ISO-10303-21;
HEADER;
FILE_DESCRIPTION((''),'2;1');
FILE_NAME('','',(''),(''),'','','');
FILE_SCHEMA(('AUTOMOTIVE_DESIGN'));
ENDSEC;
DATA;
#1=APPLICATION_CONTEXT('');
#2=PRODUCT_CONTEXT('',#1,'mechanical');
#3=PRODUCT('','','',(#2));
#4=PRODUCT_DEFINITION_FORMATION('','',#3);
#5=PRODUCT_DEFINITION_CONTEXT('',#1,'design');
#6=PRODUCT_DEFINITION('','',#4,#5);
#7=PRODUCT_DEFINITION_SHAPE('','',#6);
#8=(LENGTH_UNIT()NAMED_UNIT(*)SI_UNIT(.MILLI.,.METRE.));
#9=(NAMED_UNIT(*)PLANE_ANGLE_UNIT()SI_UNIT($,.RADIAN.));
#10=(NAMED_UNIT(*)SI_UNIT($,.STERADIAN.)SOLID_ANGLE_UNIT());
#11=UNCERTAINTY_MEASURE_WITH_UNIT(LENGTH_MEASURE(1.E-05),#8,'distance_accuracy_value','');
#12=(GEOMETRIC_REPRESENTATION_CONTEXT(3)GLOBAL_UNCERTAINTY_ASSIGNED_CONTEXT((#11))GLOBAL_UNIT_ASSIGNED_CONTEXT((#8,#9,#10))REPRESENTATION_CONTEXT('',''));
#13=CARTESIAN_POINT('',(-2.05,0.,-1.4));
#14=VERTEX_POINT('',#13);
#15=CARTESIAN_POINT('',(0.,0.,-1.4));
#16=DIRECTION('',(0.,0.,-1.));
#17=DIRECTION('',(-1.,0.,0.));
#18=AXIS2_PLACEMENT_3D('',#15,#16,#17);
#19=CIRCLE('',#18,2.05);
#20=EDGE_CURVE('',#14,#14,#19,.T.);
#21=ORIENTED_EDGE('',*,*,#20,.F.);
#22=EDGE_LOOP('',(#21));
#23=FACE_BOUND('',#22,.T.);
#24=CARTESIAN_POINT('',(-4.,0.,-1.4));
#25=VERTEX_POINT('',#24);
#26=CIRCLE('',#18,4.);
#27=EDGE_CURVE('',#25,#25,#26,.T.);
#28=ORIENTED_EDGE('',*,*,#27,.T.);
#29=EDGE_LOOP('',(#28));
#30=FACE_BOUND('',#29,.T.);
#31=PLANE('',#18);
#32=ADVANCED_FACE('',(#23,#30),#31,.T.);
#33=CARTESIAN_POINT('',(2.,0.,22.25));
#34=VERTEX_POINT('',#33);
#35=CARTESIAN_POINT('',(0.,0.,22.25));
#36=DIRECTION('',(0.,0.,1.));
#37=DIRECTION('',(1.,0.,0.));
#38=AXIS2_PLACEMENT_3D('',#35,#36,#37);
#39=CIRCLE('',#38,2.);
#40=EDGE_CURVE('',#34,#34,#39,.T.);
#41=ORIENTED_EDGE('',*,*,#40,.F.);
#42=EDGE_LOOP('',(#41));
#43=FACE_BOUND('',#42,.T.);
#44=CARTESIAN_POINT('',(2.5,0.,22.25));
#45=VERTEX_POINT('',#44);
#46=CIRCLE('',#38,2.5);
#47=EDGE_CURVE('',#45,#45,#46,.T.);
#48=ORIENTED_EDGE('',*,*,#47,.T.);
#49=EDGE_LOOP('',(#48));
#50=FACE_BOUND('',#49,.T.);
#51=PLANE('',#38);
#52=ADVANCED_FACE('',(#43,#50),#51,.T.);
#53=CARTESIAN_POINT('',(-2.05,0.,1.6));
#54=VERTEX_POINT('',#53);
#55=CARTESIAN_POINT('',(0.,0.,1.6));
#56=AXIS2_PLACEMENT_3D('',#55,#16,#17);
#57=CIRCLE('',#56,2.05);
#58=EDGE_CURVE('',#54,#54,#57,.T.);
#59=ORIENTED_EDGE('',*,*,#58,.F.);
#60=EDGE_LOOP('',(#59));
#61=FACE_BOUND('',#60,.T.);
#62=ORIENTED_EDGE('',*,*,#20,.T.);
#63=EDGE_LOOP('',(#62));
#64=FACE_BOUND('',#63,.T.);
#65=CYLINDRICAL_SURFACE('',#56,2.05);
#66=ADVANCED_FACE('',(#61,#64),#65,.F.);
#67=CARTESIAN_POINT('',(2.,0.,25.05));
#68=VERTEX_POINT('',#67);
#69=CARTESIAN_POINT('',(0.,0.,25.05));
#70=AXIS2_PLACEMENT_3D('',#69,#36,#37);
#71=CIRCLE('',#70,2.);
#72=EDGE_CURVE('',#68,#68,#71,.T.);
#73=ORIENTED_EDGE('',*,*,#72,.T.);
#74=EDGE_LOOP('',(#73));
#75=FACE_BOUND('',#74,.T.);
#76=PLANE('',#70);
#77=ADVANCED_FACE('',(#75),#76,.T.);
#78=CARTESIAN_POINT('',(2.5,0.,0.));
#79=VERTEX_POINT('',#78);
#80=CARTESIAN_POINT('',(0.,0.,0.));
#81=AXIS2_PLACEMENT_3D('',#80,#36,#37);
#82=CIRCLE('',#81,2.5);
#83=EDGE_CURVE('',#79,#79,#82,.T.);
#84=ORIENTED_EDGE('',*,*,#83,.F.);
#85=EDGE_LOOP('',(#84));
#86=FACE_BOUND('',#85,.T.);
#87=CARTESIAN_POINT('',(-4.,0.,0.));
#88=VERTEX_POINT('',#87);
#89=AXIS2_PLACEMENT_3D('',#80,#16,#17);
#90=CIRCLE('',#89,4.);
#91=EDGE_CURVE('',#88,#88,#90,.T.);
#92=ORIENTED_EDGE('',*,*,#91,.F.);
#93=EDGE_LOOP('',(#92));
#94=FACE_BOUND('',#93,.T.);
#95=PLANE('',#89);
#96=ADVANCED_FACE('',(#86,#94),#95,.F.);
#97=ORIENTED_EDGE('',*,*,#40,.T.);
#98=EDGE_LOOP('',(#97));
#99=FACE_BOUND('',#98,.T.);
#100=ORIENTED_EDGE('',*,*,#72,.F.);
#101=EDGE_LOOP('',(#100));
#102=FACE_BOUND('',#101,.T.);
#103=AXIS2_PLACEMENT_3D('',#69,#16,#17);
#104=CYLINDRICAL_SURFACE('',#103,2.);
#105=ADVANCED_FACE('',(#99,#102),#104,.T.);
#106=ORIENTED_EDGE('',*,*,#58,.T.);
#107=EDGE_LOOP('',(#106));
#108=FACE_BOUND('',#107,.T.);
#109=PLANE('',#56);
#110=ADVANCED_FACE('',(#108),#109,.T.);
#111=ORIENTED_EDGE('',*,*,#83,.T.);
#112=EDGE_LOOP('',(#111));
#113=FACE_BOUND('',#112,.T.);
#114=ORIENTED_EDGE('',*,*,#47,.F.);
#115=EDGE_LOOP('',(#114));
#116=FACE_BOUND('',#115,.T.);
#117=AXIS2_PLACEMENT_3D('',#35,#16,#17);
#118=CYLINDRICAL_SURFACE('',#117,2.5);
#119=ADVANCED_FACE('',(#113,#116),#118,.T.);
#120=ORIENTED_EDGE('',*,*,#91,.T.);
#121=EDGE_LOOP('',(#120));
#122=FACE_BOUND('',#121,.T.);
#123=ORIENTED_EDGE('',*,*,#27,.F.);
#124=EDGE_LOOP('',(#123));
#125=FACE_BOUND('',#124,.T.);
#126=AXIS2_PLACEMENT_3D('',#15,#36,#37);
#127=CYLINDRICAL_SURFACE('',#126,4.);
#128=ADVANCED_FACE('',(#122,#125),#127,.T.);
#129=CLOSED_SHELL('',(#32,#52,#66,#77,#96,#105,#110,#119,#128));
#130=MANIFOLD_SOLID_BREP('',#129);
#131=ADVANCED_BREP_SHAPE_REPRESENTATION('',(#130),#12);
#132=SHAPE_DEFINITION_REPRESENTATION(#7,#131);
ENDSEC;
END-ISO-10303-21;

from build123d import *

# Parameters (mm, degrees)
SKETCH1_R           = 2.5
BOSS_EXTRUDE1_DEPTH = 22.25
SKETCH2_R           = 4
BOSS_EXTRUDE2_DEPTH = 1.4
SKETCH3_R           = 2.05
CUT_EXTRUDE1_DEPTH  = 3
SKETCH4_R           = 2
BOSS_EXTRUDE3_DEPTH = 2.8


with BuildPart() as part:
    # Sketch1 → Boss-Extrude1 (new body)
    with BuildSketch(Plane(origin=(0, 0, 0), x_dir=(0, 1, 0), z_dir=(0, 0, 1))):
        with Locations(Location((0, 0, 0), (0, 0, 270))):
            Circle(SKETCH1_R)
    extrude(amount=BOSS_EXTRUDE1_DEPTH)

    # Sketch2 → Boss-Extrude2 (add)
    with BuildSketch(Plane(origin=(0, 0, 0), x_dir=(1, 0, 0), z_dir=(0, 0, -1))):
        with Locations(Location((0, 0, 0), (0, 0, 180))):
            Circle(SKETCH2_R)
    extrude(amount=BOSS_EXTRUDE2_DEPTH)

    # Sketch3 → Cut-Extrude1 (cut)
    with BuildSketch(Plane(origin=(0, 0, -1.4), x_dir=(1, 0, 0), z_dir=(0, 0, -1))):
        with Locations(Location((0, 0, 0), (0, 0, 180))):
            Circle(SKETCH3_R)
    extrude(amount=-CUT_EXTRUDE1_DEPTH, mode=Mode.SUBTRACT)

    # Sketch4 → Boss-Extrude3 (add)
    with BuildSketch(Plane.XY.offset(22.25)):
        Circle(SKETCH4_R)
    extrude(amount=BOSS_EXTRUDE3_DEPTH)


solid = part.part
